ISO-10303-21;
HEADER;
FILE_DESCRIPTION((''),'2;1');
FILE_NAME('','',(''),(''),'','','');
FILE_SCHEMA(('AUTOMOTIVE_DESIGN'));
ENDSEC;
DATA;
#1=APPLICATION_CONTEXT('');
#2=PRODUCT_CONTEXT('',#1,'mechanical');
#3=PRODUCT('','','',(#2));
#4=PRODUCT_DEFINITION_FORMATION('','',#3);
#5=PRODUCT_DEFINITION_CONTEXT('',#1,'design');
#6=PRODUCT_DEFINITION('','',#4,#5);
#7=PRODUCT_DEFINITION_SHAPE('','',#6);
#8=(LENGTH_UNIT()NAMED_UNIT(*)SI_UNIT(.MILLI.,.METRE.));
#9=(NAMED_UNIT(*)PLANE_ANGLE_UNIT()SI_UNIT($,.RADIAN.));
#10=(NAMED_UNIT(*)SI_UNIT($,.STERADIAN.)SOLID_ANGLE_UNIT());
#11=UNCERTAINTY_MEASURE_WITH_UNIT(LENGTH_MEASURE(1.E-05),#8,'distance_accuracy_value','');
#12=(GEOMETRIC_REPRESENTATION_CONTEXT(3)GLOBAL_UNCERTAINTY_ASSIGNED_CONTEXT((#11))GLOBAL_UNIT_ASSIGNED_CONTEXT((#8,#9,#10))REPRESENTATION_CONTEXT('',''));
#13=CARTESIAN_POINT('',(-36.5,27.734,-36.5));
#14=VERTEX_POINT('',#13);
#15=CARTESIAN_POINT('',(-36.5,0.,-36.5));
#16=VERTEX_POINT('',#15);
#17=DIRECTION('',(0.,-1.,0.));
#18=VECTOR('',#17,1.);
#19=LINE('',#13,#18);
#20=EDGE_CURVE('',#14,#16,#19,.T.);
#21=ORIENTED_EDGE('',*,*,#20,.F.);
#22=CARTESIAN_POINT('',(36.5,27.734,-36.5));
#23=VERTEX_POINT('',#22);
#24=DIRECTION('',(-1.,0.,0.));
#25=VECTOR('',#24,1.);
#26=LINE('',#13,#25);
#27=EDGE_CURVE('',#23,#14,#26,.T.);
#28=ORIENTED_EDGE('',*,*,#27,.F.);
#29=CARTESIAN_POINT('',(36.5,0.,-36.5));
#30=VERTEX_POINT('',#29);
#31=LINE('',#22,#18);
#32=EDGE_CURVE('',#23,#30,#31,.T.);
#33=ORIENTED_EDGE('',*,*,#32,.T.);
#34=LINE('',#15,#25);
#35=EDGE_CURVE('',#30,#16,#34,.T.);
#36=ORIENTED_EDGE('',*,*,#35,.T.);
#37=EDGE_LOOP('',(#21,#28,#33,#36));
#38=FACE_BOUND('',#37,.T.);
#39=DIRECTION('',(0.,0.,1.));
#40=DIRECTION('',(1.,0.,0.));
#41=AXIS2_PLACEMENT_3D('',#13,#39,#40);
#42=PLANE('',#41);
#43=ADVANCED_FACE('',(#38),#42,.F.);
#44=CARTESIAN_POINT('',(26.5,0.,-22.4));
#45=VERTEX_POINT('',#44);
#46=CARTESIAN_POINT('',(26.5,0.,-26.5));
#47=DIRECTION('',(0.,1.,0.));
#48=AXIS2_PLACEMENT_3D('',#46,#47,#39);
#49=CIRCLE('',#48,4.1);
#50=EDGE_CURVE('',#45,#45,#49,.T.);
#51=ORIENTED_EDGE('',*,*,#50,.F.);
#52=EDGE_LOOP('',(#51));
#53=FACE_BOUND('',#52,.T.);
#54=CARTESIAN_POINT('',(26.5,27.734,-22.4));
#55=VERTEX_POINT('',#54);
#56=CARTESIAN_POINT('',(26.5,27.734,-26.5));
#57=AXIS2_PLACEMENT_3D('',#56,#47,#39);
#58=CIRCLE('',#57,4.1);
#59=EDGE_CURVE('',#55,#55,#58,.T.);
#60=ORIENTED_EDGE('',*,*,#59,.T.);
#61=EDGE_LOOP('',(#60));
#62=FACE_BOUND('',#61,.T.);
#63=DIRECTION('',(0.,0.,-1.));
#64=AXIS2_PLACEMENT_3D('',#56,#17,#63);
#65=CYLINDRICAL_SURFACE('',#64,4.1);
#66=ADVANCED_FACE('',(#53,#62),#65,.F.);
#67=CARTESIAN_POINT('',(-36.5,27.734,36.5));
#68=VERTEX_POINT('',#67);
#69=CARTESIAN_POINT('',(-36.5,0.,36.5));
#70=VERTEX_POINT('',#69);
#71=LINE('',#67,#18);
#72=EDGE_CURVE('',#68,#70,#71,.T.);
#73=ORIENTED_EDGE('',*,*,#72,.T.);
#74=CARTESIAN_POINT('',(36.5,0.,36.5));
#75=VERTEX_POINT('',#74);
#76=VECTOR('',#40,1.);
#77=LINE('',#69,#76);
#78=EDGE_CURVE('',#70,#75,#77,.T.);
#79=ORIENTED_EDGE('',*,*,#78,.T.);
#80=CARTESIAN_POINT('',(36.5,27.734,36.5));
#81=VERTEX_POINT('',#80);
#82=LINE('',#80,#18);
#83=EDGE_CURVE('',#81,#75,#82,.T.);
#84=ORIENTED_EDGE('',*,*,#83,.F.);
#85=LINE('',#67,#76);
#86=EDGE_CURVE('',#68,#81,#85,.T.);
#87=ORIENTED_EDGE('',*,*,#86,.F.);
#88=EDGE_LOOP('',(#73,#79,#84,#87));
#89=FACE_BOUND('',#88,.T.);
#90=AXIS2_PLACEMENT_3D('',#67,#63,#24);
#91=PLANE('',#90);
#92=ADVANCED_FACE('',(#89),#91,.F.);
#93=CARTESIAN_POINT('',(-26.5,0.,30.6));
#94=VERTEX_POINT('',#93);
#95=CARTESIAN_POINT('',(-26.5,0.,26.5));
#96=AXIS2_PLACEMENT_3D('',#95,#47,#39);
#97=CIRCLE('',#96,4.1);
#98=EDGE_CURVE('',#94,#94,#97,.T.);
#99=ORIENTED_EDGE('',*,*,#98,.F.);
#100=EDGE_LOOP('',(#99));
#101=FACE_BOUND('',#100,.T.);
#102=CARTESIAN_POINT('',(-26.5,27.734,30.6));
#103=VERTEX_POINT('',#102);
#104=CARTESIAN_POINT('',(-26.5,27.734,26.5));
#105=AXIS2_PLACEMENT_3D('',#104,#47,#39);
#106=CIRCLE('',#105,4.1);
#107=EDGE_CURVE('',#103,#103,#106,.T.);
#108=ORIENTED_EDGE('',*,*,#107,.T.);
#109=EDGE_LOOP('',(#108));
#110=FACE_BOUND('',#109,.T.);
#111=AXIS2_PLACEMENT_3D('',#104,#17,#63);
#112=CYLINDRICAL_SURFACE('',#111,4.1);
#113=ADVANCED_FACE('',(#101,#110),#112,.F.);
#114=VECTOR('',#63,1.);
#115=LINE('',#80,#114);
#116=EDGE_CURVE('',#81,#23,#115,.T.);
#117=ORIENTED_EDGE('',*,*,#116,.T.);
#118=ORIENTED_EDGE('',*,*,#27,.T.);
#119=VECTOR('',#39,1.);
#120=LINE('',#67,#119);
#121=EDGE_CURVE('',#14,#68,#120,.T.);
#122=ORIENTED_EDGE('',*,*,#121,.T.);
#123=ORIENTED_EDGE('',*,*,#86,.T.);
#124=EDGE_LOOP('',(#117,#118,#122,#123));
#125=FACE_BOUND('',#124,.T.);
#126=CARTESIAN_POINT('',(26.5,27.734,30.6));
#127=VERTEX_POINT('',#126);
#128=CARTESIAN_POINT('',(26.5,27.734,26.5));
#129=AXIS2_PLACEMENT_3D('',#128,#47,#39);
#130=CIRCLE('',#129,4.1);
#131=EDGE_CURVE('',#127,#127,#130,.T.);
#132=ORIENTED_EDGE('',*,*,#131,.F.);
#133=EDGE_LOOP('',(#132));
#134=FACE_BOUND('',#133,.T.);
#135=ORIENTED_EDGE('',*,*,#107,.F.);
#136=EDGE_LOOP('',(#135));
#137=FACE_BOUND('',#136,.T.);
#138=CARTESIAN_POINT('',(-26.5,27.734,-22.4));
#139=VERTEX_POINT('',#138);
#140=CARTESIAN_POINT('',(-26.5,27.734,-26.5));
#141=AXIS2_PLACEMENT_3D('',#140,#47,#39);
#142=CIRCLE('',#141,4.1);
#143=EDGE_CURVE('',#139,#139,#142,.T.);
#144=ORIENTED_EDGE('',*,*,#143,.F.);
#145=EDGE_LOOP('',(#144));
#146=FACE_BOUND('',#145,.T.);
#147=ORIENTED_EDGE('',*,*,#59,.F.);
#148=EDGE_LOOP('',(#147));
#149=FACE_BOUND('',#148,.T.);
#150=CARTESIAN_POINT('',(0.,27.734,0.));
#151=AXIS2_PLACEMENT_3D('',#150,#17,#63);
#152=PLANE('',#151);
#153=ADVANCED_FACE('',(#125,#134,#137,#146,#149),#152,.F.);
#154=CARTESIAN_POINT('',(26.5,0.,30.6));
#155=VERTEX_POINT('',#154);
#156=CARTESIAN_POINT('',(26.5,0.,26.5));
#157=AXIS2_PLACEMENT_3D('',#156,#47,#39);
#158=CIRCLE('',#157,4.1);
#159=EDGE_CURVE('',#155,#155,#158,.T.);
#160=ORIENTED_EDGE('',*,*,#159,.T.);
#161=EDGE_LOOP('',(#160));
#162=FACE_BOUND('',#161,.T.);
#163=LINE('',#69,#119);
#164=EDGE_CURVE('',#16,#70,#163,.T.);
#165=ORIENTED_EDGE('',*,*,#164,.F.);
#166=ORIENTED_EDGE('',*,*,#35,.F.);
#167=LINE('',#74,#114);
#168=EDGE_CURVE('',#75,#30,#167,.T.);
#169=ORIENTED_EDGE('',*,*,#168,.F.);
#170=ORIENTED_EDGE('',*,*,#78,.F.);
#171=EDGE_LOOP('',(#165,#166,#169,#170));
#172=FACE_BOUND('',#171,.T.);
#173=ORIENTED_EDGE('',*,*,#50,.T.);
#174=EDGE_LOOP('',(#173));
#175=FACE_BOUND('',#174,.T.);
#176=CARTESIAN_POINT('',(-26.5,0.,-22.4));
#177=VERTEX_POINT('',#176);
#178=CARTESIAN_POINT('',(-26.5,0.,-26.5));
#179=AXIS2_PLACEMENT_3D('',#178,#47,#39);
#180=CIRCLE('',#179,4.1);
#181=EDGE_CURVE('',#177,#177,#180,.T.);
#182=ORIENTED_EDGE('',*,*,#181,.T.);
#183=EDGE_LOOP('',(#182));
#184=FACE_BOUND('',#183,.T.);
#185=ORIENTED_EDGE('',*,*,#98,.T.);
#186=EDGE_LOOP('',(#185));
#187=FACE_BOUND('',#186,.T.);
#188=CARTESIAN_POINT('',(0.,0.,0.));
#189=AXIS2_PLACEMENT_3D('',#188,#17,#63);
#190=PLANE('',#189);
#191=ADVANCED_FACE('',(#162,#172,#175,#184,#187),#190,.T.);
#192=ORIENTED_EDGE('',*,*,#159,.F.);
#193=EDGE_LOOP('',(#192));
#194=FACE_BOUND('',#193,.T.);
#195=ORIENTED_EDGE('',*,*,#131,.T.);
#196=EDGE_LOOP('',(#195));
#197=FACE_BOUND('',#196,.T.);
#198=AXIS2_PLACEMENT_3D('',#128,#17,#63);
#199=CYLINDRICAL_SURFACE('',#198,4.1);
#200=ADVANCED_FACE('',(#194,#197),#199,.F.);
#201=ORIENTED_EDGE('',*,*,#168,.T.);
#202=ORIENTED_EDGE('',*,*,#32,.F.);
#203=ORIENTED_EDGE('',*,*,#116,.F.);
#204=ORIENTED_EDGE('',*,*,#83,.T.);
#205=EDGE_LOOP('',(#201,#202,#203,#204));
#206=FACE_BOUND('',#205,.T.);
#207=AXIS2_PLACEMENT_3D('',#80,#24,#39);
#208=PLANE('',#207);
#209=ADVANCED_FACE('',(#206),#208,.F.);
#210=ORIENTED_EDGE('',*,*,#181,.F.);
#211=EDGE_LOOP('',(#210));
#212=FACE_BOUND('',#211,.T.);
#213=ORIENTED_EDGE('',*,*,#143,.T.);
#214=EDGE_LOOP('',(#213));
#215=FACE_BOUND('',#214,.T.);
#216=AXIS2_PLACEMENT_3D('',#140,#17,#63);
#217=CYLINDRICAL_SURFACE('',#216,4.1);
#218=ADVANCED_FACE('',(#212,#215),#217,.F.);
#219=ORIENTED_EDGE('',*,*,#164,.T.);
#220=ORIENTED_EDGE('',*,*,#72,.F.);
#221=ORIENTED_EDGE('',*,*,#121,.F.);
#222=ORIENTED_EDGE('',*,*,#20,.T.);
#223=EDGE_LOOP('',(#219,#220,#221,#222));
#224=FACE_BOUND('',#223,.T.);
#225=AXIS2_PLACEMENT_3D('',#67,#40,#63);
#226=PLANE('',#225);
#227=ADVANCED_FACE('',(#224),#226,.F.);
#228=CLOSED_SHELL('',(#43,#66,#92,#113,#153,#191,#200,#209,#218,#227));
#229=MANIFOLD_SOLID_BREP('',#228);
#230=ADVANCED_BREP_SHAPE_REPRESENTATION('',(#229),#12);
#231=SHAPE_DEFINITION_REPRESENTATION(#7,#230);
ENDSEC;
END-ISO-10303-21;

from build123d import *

# Parameters (mm, degrees)
SKETCH1_W           = 73
SKETCH1_H           = 73
SKETCH1_R           = 4.1
BOSS_EXTRUDE1_DEPTH = 27.734


with BuildPart() as part:
    # Sketch1 → Boss-Extrude1 (new body)
    with BuildSketch(Plane(origin=(0, 0, 0), x_dir=(1, 0, 0), z_dir=(0, 1, 0))):
        Rectangle(SKETCH1_W, SKETCH1_H)
        with Locations((-26.5, 26.5)):
            Circle(SKETCH1_R, mode=Mode.SUBTRACT)
        with Locations((26.5, 26.5)):
            Circle(SKETCH1_R, mode=Mode.SUBTRACT)
        with Locations((26.5, -26.5)):
            Circle(SKETCH1_R, mode=Mode.SUBTRACT)
        with Locations((-26.5, -26.5)):
            Circle(SKETCH1_R, mode=Mode.SUBTRACT)
    extrude(amount=BOSS_EXTRUDE1_DEPTH)


solid = part.part
